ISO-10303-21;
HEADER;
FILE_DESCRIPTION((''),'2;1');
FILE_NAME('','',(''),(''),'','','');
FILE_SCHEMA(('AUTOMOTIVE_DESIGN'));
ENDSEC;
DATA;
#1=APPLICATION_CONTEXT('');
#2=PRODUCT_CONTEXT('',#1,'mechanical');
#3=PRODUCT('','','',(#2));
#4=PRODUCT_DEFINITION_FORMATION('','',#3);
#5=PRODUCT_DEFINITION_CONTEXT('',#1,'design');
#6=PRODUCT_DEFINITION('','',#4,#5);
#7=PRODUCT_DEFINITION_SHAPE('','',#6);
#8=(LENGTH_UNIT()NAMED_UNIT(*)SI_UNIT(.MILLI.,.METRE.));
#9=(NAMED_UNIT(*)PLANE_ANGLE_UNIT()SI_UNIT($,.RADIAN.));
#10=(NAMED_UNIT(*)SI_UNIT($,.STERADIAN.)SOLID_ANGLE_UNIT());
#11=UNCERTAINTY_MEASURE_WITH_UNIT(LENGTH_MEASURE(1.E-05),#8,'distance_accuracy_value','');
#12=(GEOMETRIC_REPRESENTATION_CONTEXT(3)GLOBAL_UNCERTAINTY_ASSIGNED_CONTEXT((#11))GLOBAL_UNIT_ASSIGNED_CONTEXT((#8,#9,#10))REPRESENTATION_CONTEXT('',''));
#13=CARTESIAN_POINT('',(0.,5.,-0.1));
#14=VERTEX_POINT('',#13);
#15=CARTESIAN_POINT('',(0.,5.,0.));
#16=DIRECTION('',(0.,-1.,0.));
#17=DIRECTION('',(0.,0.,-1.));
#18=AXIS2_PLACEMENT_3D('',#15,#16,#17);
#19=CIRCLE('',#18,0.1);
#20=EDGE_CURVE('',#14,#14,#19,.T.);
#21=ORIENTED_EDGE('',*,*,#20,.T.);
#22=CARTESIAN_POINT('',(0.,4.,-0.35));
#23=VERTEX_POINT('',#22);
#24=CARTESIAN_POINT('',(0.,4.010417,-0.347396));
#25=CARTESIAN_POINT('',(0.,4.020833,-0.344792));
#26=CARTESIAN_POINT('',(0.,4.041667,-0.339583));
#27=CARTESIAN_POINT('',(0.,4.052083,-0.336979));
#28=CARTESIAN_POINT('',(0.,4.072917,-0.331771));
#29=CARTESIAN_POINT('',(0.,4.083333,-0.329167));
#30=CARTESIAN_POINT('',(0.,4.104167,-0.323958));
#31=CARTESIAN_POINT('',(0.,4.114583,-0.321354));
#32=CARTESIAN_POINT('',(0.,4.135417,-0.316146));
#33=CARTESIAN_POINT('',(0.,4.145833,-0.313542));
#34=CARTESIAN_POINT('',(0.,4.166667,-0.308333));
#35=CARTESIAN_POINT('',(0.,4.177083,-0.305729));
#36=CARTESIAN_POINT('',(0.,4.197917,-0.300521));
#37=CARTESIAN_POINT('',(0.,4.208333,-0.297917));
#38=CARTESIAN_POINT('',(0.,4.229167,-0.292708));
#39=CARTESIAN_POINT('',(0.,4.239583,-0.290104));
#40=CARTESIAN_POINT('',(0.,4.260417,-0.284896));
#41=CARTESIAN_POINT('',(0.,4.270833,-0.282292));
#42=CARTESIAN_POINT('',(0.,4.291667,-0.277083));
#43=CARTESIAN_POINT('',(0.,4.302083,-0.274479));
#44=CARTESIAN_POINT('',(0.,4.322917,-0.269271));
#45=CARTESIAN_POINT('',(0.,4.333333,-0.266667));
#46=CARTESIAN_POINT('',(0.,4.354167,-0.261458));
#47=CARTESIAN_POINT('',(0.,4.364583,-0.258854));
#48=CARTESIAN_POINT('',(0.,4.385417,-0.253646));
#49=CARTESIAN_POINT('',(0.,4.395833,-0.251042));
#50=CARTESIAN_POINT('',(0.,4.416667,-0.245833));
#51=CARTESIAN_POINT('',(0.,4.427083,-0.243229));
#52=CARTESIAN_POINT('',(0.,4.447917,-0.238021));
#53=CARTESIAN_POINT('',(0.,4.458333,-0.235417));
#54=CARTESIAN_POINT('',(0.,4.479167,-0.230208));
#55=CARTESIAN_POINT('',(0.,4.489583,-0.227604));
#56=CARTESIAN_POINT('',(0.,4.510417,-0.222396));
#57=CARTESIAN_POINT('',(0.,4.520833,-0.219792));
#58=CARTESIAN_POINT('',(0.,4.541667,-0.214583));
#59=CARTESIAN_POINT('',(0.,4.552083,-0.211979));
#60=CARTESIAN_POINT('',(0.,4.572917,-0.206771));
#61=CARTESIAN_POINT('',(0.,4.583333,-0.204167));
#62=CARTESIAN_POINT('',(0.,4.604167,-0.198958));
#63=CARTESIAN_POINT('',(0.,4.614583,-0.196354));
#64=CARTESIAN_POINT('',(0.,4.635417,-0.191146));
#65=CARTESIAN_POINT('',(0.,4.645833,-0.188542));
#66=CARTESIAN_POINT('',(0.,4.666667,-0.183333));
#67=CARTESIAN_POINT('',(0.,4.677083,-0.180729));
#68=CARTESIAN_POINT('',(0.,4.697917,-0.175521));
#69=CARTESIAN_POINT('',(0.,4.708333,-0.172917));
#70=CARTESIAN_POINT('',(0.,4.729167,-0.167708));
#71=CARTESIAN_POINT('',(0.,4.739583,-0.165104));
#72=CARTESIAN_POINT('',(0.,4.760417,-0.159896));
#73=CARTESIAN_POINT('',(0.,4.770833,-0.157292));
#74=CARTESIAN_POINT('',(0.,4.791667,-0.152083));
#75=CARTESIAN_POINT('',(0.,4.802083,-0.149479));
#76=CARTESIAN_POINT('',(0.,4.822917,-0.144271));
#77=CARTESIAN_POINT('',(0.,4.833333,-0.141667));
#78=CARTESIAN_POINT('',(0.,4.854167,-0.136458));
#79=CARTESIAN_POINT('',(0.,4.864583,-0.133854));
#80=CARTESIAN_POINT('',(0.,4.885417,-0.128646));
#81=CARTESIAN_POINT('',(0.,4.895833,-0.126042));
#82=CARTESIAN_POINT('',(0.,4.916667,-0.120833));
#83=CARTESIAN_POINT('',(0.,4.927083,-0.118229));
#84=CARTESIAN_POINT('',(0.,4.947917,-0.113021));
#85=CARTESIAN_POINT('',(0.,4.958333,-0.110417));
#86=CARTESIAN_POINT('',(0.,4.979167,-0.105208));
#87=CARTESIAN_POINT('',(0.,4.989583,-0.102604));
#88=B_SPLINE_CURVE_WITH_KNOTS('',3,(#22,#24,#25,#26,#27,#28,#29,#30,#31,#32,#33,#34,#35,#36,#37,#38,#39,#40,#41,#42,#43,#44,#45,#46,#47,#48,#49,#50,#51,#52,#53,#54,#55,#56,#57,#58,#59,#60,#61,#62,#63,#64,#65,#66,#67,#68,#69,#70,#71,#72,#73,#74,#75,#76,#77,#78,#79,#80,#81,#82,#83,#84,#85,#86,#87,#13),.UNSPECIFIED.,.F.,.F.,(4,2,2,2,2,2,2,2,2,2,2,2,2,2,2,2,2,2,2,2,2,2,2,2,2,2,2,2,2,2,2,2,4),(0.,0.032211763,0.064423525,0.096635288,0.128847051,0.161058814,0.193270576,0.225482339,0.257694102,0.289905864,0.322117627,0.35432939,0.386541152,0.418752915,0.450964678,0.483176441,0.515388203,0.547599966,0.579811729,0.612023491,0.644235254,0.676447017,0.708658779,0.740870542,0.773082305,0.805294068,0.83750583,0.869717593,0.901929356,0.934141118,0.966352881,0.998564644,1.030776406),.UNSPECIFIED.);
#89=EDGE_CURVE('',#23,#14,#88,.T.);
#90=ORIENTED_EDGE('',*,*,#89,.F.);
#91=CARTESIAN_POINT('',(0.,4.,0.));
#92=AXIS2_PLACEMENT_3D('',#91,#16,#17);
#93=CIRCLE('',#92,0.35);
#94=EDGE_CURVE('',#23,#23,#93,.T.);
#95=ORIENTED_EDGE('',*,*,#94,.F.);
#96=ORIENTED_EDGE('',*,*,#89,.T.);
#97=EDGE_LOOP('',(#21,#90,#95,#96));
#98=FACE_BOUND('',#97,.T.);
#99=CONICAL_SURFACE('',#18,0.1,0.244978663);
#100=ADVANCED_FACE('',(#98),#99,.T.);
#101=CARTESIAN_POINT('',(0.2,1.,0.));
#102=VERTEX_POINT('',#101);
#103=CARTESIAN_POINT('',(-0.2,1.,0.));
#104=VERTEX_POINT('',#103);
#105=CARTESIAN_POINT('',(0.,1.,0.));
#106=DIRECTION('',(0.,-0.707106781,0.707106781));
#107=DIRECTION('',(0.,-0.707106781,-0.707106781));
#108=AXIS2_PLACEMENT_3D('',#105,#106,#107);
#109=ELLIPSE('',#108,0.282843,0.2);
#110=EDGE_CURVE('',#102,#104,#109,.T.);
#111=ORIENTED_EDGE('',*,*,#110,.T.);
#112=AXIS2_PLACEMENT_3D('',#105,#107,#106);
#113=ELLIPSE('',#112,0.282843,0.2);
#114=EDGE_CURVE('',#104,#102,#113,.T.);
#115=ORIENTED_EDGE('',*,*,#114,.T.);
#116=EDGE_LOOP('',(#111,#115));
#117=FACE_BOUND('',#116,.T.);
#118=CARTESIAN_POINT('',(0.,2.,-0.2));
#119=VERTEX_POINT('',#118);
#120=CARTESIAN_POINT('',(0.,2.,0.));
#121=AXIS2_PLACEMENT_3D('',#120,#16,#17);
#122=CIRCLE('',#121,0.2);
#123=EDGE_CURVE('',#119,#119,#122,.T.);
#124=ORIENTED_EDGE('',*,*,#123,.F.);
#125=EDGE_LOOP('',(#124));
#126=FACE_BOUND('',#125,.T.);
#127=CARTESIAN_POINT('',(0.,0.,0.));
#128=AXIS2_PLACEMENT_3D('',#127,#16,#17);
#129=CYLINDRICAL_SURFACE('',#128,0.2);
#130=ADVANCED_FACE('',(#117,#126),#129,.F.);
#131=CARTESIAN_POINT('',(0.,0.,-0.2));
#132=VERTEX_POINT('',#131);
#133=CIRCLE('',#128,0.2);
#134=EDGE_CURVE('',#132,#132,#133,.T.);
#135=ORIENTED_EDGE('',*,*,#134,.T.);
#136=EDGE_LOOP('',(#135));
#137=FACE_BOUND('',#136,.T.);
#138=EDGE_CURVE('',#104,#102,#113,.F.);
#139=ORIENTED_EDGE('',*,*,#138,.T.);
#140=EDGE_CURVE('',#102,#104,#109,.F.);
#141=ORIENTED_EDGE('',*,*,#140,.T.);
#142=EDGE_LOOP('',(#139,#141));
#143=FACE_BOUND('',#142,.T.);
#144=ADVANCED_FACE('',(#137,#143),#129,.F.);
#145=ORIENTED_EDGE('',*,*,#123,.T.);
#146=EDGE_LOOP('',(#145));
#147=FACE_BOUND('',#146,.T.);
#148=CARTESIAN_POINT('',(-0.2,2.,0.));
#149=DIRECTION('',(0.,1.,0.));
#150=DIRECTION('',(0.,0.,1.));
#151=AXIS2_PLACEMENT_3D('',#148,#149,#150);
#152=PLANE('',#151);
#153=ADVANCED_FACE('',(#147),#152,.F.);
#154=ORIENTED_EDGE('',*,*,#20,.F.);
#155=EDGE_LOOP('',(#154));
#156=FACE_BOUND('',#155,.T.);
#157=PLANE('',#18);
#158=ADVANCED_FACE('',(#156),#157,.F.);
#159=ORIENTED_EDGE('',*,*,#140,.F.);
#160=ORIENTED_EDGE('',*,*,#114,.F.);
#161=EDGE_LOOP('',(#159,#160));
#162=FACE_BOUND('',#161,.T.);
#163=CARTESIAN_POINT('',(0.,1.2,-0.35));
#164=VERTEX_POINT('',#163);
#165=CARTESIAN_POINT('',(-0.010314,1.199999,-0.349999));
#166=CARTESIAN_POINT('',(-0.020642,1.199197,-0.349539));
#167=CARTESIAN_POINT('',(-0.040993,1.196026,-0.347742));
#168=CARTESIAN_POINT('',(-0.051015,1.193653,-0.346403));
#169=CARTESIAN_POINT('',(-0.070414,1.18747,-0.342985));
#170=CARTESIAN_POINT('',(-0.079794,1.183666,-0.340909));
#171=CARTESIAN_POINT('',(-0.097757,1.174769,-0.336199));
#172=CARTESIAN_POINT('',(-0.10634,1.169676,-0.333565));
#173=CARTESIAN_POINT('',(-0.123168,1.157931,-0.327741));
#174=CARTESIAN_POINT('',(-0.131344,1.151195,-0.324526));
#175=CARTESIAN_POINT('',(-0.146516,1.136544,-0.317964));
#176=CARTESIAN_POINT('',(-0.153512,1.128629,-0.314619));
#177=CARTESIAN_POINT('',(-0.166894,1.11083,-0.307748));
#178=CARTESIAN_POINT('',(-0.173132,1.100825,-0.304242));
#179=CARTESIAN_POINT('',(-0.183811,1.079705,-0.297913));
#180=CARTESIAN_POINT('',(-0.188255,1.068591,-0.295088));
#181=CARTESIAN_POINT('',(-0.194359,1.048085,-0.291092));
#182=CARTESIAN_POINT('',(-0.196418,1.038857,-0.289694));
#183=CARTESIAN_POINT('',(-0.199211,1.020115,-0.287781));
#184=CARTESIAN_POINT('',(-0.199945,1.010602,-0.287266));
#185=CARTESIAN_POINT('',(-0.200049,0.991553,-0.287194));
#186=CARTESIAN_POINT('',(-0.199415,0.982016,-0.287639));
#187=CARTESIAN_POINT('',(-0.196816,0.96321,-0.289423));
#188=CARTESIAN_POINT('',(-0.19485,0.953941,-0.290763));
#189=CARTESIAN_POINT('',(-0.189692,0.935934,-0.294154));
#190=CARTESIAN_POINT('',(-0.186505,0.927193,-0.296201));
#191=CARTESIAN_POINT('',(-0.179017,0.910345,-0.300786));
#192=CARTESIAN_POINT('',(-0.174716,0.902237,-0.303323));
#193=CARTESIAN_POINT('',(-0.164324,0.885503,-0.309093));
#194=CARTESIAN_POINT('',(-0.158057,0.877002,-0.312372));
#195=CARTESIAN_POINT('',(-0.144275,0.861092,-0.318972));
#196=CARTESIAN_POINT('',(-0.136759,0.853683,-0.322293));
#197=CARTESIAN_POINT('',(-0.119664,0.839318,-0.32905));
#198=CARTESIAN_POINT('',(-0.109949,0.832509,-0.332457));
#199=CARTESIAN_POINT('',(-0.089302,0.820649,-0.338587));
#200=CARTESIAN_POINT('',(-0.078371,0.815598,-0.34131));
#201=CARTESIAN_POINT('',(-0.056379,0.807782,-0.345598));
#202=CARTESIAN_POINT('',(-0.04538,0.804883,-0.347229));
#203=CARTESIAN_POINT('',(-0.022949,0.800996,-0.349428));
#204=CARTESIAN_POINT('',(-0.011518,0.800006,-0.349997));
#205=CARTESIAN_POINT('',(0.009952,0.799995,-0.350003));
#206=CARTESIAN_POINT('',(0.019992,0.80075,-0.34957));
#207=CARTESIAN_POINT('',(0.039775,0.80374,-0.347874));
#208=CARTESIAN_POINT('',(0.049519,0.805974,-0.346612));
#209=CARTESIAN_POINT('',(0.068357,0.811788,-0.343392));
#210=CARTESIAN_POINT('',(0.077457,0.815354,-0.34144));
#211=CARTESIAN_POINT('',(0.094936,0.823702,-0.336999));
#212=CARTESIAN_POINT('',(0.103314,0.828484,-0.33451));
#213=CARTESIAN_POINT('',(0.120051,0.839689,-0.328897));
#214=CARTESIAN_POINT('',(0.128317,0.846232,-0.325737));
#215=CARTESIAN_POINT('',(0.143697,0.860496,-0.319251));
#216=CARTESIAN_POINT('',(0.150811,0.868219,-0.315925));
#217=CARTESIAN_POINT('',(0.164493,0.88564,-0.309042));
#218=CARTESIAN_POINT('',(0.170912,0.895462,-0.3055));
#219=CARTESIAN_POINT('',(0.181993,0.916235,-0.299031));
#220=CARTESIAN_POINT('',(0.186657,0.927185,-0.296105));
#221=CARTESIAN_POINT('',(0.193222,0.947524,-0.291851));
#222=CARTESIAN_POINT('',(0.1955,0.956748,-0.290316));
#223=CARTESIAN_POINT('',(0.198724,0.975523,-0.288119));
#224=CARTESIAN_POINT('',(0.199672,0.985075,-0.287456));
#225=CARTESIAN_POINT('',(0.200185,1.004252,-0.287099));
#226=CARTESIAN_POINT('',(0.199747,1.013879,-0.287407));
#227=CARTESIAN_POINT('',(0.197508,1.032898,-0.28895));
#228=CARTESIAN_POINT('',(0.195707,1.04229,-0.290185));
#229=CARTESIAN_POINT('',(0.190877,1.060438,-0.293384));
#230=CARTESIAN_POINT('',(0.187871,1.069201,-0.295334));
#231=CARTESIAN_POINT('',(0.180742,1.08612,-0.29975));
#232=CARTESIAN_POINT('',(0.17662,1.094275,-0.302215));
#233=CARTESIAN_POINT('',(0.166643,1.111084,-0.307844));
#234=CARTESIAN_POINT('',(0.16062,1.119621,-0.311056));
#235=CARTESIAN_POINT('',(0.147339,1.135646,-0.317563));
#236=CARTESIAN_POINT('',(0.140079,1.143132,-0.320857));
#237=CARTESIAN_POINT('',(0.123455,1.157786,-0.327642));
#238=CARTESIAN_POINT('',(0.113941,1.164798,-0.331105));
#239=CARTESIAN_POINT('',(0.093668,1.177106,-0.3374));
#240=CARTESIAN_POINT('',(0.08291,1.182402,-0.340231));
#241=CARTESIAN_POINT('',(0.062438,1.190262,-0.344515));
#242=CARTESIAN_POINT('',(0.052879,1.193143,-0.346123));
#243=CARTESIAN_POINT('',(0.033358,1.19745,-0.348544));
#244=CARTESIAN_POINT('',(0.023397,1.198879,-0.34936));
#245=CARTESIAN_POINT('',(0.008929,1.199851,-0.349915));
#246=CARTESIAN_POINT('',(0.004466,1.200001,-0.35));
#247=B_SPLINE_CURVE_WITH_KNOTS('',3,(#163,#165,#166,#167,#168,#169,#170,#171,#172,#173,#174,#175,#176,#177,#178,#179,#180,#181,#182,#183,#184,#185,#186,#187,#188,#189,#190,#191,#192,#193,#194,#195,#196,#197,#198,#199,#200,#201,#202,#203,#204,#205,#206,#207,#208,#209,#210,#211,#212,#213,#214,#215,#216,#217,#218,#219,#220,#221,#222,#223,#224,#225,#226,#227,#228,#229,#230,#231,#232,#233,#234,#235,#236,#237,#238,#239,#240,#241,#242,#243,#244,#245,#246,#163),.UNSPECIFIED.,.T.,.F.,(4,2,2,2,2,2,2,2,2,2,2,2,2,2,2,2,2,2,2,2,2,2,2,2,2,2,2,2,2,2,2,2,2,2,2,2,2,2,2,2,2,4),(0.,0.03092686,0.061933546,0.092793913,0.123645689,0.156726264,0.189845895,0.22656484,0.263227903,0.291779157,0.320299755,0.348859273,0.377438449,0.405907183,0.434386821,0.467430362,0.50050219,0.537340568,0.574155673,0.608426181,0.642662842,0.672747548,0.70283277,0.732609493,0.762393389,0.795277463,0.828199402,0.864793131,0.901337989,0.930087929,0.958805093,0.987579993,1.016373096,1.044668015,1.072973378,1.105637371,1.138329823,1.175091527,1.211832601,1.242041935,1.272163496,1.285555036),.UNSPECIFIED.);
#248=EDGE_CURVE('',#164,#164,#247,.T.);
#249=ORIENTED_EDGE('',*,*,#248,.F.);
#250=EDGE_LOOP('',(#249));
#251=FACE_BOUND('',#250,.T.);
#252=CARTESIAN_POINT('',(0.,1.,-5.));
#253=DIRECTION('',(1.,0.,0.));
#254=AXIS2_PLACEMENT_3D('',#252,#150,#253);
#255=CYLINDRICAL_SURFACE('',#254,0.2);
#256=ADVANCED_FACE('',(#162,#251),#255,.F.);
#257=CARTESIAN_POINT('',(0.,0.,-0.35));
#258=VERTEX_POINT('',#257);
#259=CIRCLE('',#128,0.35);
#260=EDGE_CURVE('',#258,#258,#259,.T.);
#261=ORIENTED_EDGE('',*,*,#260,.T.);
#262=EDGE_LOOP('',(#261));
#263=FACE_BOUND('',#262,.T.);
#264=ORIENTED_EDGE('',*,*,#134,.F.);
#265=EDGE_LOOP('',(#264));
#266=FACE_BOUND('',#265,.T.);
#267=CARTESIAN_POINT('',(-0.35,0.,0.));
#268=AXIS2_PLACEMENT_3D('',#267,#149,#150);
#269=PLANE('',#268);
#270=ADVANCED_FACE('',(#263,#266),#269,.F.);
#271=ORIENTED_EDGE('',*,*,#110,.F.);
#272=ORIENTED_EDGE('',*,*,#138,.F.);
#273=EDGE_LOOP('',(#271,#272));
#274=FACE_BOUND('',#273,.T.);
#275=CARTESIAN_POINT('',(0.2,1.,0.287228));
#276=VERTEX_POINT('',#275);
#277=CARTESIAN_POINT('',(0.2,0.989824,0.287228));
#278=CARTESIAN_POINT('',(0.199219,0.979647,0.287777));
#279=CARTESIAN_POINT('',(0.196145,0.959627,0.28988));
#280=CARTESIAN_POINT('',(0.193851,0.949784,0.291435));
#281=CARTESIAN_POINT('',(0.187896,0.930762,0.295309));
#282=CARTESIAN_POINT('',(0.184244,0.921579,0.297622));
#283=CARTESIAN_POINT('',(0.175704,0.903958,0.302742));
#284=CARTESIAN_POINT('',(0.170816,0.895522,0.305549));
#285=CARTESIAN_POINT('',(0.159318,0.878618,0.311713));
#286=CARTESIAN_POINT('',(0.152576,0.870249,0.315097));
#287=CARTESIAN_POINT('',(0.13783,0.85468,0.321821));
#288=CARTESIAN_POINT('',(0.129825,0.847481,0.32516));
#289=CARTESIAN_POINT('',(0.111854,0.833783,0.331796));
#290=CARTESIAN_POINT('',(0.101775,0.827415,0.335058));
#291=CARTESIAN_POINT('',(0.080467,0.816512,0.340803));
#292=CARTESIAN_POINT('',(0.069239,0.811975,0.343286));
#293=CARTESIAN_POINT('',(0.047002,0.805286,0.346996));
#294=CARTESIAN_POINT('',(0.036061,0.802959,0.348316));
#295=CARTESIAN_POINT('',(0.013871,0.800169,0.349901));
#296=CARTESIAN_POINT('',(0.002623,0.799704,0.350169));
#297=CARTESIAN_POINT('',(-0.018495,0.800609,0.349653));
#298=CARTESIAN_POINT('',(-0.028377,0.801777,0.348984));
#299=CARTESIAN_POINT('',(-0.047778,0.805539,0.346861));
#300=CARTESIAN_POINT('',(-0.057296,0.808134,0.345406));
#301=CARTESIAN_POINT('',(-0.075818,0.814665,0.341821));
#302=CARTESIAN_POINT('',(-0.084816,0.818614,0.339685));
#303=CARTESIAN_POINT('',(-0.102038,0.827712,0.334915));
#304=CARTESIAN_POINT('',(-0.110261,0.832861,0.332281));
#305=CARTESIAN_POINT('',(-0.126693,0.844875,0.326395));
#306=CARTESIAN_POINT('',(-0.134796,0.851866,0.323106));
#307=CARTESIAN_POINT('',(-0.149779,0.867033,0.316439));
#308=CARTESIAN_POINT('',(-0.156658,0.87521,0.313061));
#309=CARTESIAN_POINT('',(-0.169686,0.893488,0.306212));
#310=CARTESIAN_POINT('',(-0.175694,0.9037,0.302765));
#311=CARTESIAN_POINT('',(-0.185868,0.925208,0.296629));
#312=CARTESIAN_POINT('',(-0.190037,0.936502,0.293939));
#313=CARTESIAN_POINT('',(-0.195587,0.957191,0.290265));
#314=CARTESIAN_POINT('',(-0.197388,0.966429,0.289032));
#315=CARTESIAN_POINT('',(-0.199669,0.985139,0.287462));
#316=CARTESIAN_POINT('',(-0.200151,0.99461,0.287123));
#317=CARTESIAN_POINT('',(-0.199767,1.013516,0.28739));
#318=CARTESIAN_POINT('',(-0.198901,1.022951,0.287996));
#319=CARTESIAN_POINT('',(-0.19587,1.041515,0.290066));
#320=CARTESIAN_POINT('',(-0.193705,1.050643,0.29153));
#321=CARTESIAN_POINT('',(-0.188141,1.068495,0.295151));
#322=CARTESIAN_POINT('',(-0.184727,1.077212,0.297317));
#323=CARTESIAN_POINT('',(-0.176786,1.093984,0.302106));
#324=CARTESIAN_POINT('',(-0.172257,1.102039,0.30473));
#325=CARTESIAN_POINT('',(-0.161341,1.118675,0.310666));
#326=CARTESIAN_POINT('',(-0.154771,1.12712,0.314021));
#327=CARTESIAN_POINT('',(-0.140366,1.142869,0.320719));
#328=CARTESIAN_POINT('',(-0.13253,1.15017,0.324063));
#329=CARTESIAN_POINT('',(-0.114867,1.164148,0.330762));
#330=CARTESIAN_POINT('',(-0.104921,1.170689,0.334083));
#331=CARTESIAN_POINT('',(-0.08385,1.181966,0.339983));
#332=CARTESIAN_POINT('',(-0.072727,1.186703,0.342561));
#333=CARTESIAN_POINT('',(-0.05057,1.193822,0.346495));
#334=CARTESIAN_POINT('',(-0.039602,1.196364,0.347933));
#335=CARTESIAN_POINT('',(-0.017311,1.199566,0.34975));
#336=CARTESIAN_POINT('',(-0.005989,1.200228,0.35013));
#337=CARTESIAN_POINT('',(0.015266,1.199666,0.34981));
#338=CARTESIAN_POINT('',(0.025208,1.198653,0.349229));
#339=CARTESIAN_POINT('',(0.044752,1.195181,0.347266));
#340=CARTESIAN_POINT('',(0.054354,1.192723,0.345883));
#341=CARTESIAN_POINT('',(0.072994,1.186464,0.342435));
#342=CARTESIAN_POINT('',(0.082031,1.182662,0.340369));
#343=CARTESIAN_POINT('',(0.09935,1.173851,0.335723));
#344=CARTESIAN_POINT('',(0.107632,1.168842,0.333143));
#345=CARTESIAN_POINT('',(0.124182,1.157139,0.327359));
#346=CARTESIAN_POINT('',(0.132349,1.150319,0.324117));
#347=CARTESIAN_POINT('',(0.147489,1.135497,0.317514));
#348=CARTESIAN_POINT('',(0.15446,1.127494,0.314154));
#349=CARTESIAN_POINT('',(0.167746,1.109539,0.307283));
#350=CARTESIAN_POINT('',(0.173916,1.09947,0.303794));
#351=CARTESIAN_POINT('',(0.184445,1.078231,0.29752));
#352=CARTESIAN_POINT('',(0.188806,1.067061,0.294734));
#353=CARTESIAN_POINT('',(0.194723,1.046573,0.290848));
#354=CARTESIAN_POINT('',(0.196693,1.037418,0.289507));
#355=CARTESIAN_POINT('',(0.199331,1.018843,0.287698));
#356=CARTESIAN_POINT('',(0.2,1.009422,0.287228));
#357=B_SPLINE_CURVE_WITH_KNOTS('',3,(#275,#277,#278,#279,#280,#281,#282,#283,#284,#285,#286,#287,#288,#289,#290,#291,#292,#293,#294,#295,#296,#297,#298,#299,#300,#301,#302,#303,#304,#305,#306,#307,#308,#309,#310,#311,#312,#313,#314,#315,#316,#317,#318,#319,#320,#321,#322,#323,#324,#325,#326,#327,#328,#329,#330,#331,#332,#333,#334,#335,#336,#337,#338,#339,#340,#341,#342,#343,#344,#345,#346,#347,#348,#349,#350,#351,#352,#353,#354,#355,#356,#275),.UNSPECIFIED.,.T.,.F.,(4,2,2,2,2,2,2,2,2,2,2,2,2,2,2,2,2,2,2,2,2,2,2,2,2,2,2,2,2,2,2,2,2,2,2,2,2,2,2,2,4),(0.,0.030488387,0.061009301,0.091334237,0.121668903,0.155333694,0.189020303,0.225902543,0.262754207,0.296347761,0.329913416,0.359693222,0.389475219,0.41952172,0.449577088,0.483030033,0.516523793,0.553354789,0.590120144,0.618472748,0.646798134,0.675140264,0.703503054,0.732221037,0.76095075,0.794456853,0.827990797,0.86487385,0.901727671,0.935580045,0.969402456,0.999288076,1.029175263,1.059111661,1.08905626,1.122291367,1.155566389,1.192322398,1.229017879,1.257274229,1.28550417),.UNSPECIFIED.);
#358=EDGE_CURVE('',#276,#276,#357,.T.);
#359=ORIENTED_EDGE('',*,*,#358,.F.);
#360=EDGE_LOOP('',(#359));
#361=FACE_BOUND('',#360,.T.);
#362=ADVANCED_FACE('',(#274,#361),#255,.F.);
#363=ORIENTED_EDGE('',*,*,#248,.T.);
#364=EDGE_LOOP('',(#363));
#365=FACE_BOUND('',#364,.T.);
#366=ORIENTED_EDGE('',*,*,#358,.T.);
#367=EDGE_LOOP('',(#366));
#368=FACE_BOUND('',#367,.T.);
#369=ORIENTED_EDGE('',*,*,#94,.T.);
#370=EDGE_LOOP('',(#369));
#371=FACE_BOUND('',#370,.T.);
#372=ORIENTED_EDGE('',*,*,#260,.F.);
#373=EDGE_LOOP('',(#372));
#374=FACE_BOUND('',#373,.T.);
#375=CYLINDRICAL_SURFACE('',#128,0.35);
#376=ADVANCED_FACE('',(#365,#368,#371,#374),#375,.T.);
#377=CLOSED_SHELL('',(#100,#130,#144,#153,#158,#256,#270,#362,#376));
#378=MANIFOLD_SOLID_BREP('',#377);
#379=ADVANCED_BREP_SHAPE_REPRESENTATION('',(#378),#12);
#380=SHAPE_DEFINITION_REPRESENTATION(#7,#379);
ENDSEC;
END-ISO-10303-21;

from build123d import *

# Parameters (mm, degrees)
SKETCH2_R          = 0.2
CUT_EXTRUDE1_DEPTH = 5


with BuildPart() as part:
    # Sketch1 → Revolve1 (revolve)
    with BuildSketch(Plane.XY, mode=Mode.PRIVATE) as revolve1_sk:
        Polygon((-0.2, 0), (-0.2, 2), (0, 2), (0, 5), (-0.1, 5), (-0.35, 4), (-0.35, 0), align=None)
    revolve(revolve1_sk.sketch.rotate(Axis((0, 0, 0), (0, 1, 0)), 270), axis=Axis((0, 0, 0), (0, 1, 0)))

    # Sketch2 → Cut-Extrude1 (cut, symmetric)
    with BuildSketch(Plane.XY):
        with Locations((0, 1)):
            Circle(SKETCH2_R)
    extrude(amount=CUT_EXTRUDE1_DEPTH, both=True, mode=Mode.SUBTRACT)


solid = part.part
